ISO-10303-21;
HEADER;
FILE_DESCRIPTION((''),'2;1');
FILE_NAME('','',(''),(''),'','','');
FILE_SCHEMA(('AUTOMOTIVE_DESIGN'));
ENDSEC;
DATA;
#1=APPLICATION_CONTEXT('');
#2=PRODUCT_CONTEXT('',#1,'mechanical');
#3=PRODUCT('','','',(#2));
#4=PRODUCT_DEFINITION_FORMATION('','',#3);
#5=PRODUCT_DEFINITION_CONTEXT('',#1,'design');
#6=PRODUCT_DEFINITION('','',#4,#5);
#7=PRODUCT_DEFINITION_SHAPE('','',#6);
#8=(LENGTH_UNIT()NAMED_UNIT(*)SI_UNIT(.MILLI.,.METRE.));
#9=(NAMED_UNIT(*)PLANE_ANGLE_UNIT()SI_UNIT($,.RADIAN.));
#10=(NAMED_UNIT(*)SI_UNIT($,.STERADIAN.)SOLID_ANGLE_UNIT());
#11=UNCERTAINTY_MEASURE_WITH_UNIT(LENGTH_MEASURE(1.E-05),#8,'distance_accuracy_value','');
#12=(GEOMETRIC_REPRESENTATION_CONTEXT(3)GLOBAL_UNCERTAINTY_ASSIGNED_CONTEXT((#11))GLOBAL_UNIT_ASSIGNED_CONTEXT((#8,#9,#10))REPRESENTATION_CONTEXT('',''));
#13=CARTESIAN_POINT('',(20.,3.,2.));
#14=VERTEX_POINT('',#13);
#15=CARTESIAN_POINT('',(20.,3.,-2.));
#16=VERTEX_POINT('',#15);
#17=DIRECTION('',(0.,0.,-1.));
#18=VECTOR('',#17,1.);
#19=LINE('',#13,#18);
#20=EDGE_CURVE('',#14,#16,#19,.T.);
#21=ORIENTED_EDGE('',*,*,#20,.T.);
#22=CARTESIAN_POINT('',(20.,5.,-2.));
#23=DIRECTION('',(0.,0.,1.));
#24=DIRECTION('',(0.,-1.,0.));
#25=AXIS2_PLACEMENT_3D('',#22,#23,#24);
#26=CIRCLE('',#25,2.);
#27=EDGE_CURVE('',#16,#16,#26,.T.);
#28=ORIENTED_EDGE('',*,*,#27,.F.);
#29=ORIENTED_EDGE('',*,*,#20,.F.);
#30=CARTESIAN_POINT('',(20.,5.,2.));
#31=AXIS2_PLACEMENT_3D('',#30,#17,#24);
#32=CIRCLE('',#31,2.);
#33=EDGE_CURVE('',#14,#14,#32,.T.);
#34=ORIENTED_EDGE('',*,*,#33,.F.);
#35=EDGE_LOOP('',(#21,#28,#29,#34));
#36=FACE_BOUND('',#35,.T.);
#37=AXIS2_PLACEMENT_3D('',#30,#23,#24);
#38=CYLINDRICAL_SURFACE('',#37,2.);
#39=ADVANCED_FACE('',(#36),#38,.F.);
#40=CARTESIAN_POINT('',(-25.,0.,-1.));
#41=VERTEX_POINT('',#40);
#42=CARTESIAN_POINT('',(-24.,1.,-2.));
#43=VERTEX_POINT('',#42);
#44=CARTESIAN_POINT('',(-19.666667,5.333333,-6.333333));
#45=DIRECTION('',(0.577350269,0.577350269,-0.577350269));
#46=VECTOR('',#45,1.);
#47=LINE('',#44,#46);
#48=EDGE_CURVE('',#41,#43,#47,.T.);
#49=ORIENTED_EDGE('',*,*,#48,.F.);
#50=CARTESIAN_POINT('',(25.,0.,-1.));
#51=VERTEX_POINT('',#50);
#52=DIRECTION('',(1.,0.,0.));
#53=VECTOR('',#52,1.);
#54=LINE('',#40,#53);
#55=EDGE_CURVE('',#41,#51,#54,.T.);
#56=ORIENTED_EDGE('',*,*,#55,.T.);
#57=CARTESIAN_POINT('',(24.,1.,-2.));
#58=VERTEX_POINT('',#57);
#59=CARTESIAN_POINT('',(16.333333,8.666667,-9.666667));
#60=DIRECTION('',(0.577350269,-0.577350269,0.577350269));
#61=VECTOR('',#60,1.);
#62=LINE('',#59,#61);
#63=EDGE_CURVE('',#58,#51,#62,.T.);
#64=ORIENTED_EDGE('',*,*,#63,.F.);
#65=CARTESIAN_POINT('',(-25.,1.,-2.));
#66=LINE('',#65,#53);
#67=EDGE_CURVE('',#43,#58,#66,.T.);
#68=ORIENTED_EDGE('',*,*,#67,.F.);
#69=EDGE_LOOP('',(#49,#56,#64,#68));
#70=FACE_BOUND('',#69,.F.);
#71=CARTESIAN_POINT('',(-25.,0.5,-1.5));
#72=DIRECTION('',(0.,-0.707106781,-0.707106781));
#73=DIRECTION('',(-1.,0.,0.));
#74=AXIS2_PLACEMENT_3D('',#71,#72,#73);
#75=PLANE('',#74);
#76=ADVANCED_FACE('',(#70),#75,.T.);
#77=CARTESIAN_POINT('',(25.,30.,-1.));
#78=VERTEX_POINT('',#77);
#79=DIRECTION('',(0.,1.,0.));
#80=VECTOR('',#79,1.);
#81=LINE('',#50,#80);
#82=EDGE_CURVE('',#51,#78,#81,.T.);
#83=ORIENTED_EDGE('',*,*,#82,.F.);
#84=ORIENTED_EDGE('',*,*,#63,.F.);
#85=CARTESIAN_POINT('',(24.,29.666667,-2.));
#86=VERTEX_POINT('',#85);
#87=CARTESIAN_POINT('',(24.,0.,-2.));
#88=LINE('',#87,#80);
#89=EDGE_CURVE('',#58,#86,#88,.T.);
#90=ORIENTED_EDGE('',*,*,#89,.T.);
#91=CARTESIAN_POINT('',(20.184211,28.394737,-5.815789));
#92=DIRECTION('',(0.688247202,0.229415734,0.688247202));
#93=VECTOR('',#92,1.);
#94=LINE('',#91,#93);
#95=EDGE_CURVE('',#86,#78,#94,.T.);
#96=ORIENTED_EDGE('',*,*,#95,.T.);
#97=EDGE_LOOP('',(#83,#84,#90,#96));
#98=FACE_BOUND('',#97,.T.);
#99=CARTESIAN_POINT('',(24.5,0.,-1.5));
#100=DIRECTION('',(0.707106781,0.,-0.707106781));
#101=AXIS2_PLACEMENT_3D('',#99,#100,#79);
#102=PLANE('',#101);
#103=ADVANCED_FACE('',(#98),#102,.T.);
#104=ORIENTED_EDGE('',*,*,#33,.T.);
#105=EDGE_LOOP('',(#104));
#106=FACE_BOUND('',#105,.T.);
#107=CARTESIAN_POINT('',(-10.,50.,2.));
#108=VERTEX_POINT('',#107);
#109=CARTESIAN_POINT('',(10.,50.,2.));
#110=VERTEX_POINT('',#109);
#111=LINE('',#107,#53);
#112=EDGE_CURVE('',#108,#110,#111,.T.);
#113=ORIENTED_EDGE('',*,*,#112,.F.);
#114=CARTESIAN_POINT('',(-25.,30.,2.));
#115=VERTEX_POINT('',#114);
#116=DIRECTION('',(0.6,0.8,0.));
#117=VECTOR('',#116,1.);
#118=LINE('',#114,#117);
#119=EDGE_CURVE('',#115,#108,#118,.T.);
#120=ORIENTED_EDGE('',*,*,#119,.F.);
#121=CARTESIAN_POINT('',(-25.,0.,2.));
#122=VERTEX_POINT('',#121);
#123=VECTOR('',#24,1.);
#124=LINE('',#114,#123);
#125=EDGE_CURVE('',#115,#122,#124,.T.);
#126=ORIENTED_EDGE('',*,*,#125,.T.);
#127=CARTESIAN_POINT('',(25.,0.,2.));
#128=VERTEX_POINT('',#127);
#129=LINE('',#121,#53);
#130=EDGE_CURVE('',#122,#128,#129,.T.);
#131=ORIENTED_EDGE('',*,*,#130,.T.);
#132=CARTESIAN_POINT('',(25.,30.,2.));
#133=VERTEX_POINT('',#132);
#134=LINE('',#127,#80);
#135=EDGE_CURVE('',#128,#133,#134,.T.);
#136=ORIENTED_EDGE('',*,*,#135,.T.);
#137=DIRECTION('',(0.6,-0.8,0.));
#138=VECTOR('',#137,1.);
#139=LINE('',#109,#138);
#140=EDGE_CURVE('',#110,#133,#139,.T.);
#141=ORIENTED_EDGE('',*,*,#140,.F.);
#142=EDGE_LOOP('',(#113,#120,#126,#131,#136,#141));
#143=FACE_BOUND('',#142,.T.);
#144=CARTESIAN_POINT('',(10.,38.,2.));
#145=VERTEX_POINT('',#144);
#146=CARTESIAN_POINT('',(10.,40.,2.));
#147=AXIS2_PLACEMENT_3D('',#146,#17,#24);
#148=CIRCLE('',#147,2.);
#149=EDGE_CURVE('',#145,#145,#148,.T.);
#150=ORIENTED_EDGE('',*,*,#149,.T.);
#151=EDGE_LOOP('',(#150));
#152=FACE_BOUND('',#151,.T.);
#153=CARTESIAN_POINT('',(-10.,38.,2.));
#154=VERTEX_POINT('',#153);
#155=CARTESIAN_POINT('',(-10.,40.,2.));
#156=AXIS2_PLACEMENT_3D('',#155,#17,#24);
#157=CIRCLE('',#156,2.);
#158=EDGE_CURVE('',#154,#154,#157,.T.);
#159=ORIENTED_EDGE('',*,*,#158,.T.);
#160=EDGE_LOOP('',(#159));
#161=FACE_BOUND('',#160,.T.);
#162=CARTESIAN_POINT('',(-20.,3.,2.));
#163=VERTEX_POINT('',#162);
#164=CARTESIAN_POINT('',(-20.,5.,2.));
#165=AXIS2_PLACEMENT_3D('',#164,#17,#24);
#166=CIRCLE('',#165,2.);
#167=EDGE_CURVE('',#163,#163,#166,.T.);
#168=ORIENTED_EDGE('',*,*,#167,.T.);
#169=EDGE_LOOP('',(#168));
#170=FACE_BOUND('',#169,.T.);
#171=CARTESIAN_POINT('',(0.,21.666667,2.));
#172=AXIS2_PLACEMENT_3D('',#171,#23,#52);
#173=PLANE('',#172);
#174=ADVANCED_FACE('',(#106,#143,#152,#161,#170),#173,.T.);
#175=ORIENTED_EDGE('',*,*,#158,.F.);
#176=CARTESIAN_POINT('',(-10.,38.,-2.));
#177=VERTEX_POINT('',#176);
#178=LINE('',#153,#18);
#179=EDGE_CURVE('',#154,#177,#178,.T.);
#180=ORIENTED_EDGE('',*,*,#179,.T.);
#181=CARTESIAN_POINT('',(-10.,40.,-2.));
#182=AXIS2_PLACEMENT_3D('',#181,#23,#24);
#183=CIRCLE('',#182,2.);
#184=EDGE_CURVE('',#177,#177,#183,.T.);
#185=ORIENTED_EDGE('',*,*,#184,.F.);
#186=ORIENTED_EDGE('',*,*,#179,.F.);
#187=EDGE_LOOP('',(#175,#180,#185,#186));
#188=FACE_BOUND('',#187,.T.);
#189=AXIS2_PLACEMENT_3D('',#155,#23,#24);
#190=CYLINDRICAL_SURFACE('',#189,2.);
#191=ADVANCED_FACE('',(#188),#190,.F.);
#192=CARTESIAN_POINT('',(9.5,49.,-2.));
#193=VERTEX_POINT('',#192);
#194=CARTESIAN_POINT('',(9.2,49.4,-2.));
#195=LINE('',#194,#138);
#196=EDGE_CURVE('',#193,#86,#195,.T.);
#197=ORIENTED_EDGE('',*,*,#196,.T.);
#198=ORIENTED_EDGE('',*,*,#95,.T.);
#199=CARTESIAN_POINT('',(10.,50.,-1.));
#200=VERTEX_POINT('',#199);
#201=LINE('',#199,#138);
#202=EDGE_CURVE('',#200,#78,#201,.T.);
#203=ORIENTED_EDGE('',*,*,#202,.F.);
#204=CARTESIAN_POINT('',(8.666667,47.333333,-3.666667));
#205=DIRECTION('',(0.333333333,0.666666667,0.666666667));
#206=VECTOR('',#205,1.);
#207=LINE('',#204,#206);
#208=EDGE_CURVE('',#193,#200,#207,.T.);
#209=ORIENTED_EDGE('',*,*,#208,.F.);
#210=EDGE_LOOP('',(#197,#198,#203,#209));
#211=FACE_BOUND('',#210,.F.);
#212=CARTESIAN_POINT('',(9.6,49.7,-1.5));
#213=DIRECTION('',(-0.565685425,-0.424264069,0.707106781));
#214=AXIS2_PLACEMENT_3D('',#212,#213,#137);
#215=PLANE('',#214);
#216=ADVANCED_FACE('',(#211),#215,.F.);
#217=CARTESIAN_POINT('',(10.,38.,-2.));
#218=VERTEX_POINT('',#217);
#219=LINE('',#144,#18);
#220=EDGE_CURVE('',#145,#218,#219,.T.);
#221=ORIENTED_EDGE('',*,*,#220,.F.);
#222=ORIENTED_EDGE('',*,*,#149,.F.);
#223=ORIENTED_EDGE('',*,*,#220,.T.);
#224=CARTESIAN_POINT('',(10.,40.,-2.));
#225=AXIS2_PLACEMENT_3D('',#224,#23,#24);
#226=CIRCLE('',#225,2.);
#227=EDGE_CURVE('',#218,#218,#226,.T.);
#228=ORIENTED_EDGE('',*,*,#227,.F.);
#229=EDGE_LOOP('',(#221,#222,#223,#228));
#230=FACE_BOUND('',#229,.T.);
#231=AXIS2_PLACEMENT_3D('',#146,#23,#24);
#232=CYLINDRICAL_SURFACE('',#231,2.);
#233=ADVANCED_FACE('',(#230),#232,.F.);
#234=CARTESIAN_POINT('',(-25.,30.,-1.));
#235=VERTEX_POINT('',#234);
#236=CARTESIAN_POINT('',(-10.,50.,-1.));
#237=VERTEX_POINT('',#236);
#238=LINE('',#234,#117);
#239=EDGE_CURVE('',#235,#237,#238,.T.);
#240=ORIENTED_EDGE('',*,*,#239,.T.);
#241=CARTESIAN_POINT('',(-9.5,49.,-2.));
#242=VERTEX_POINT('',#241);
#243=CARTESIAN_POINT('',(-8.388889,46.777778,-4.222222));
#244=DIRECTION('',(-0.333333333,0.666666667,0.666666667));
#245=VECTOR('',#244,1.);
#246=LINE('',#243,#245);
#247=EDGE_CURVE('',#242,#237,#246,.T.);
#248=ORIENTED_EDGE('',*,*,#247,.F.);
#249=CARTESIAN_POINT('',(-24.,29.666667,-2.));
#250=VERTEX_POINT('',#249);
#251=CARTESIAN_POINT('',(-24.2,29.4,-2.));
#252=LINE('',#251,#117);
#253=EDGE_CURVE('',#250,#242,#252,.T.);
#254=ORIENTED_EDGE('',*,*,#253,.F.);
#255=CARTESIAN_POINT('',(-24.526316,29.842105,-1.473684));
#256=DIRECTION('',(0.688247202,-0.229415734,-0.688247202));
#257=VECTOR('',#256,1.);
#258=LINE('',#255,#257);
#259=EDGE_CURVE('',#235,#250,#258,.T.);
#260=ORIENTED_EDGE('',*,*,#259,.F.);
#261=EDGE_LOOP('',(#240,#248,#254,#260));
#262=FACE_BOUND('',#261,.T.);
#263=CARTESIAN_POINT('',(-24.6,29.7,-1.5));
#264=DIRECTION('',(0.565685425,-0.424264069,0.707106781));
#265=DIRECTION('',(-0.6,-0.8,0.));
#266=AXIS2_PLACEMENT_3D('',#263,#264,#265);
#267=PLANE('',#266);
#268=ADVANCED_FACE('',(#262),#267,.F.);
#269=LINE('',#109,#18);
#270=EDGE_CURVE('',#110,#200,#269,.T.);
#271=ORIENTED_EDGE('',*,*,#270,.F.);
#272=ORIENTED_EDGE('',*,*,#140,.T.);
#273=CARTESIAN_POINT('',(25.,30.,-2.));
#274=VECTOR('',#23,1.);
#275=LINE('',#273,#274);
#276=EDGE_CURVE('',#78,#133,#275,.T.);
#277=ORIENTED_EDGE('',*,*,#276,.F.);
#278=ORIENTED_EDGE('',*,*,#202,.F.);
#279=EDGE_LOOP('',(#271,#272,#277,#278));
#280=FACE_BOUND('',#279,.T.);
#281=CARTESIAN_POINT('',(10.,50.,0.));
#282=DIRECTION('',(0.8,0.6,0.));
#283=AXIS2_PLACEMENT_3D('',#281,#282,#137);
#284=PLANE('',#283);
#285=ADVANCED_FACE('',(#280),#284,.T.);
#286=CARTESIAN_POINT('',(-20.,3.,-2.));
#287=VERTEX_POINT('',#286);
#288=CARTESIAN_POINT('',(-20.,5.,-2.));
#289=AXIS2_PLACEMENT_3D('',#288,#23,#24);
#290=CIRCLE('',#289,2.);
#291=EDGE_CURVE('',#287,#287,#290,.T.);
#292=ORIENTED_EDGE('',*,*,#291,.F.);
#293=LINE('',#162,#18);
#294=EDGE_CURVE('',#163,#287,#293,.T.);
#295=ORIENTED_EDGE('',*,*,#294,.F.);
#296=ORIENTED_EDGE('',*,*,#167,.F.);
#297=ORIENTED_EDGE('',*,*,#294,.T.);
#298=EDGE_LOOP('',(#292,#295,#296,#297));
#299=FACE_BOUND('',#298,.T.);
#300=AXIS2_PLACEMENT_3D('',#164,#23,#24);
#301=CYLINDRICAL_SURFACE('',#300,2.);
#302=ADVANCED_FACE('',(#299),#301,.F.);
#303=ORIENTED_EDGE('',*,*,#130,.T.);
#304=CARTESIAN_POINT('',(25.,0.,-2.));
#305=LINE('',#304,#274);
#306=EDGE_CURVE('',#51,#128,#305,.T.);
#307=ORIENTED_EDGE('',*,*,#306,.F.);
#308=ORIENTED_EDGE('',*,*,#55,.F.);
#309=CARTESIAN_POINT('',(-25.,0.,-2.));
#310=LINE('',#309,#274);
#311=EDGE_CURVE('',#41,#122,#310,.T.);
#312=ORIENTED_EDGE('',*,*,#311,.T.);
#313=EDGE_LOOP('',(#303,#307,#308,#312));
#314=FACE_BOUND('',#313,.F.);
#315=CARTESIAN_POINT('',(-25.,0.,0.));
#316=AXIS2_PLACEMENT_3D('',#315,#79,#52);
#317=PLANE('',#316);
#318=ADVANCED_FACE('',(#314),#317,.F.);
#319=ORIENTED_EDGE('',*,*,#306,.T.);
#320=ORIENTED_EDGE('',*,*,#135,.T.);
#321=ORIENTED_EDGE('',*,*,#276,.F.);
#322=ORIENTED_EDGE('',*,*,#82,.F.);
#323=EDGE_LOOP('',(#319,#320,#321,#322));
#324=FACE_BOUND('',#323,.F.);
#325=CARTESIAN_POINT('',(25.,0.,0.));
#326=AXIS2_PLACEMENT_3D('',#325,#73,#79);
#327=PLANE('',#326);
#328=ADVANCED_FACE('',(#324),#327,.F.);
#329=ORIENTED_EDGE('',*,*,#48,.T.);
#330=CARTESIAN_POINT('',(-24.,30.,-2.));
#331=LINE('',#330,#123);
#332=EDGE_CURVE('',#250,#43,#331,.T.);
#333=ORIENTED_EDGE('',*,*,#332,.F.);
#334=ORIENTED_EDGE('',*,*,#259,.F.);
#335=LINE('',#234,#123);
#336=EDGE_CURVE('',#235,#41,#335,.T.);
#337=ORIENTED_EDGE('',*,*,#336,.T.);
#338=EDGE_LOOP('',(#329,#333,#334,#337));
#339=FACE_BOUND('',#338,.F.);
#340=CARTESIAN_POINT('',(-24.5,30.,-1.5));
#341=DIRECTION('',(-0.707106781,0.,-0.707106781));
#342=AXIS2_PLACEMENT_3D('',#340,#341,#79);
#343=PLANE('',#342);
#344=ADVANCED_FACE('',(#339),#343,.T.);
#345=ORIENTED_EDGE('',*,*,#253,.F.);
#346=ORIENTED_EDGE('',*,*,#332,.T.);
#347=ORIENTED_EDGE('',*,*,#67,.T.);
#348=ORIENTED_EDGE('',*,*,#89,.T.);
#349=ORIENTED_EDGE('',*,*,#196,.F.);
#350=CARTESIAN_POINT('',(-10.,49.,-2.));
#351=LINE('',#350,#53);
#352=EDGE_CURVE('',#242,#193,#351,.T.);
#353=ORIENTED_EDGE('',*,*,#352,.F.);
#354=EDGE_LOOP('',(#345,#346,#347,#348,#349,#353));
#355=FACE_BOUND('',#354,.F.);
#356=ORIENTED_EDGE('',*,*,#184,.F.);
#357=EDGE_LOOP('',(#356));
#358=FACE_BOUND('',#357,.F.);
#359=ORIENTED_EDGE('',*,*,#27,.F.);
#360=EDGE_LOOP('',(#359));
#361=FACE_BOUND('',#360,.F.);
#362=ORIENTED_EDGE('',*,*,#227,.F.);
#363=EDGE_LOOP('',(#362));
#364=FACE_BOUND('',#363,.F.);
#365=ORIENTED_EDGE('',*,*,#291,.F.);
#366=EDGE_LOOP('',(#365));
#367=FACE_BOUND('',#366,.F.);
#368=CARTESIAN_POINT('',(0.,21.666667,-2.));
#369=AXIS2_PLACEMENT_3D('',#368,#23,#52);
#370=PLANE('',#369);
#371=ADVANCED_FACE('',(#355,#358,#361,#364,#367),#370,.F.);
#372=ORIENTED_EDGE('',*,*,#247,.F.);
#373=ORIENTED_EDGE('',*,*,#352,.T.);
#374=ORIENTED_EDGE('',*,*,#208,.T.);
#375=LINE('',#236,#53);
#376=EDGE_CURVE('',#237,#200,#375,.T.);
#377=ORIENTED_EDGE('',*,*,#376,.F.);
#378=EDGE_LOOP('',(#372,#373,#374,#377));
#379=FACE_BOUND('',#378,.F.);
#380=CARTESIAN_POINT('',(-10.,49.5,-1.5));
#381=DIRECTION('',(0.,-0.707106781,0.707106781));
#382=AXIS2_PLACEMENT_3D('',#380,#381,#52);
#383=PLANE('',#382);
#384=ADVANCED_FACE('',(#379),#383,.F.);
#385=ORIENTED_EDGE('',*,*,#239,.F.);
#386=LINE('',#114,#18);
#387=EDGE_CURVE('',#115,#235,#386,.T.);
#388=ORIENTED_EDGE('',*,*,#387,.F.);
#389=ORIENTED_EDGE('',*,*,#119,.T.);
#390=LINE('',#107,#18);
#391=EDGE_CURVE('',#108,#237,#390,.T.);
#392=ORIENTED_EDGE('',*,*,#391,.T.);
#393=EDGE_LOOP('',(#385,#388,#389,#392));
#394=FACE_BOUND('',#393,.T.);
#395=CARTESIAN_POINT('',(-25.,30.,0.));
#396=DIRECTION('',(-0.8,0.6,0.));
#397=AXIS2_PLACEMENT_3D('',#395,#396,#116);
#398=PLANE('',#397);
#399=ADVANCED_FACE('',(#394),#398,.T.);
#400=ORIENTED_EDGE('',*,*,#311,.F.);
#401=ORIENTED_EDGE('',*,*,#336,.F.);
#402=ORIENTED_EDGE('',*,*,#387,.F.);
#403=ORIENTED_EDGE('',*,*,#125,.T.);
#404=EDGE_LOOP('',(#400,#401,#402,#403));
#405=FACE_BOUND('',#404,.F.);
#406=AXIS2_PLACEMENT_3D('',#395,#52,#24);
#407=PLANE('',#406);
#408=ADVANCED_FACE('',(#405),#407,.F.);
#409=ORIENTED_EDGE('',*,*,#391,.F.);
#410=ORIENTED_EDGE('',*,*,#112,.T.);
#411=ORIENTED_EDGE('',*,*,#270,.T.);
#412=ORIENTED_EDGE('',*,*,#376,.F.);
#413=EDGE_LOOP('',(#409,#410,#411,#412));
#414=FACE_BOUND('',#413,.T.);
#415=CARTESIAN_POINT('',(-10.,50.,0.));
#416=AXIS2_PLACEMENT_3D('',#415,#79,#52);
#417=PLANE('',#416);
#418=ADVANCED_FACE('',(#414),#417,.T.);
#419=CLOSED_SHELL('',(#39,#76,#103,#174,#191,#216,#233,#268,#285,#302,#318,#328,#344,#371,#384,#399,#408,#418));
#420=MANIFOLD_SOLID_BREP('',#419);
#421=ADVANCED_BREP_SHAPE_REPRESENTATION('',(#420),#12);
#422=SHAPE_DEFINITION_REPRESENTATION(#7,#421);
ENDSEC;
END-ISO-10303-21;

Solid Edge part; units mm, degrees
sketch "Sketch1" plane through (0, 0, 0) normal (0, 0, 1) x (1, 0, 0)
  line L0 (-25, 30) -> (-25, 0)
  line L1 (-25, 0) -> (25, 0)
  line L2 (25, 0) -> (25, 30)
  line L3 (10, 50) -> (25, 30)
  line L4 (-10, 50) -> (10, 50)
  line L5 (-25, 30) -> (-10, 50)
  dimension "D1" = 50
  dimension "D2" = 30
  dimension "D3" = 50
  dimension "D4" = 20
extrude "Protrusion1" add sketch "Sketch1" along normal mid plane 4
hole "Hole_1" at (-10, 40, 2) direction (0, 0, -1) diameter 4 end up to next
hole "Hole1" at (10, 40, 2) direction (0, 0, -1) diameter 4 end up to next
hole "Hole2" at (-20, 5, 2) direction (0, 0, -1) diameter 4 end up to next
hole "Hole3" at (20, 5, 2) direction (0, 0, -1) diameter 4 end up to next
chamfer "Chamfer_1" distance 1 angle 45 6 edges at (25, 15, -2) (17.5, 40, -2) (0, 50, -2) (-17.5, 40, -2) (-25, 15, -2) (0, 0, -2)
properties material "Polyethylene, low density"
